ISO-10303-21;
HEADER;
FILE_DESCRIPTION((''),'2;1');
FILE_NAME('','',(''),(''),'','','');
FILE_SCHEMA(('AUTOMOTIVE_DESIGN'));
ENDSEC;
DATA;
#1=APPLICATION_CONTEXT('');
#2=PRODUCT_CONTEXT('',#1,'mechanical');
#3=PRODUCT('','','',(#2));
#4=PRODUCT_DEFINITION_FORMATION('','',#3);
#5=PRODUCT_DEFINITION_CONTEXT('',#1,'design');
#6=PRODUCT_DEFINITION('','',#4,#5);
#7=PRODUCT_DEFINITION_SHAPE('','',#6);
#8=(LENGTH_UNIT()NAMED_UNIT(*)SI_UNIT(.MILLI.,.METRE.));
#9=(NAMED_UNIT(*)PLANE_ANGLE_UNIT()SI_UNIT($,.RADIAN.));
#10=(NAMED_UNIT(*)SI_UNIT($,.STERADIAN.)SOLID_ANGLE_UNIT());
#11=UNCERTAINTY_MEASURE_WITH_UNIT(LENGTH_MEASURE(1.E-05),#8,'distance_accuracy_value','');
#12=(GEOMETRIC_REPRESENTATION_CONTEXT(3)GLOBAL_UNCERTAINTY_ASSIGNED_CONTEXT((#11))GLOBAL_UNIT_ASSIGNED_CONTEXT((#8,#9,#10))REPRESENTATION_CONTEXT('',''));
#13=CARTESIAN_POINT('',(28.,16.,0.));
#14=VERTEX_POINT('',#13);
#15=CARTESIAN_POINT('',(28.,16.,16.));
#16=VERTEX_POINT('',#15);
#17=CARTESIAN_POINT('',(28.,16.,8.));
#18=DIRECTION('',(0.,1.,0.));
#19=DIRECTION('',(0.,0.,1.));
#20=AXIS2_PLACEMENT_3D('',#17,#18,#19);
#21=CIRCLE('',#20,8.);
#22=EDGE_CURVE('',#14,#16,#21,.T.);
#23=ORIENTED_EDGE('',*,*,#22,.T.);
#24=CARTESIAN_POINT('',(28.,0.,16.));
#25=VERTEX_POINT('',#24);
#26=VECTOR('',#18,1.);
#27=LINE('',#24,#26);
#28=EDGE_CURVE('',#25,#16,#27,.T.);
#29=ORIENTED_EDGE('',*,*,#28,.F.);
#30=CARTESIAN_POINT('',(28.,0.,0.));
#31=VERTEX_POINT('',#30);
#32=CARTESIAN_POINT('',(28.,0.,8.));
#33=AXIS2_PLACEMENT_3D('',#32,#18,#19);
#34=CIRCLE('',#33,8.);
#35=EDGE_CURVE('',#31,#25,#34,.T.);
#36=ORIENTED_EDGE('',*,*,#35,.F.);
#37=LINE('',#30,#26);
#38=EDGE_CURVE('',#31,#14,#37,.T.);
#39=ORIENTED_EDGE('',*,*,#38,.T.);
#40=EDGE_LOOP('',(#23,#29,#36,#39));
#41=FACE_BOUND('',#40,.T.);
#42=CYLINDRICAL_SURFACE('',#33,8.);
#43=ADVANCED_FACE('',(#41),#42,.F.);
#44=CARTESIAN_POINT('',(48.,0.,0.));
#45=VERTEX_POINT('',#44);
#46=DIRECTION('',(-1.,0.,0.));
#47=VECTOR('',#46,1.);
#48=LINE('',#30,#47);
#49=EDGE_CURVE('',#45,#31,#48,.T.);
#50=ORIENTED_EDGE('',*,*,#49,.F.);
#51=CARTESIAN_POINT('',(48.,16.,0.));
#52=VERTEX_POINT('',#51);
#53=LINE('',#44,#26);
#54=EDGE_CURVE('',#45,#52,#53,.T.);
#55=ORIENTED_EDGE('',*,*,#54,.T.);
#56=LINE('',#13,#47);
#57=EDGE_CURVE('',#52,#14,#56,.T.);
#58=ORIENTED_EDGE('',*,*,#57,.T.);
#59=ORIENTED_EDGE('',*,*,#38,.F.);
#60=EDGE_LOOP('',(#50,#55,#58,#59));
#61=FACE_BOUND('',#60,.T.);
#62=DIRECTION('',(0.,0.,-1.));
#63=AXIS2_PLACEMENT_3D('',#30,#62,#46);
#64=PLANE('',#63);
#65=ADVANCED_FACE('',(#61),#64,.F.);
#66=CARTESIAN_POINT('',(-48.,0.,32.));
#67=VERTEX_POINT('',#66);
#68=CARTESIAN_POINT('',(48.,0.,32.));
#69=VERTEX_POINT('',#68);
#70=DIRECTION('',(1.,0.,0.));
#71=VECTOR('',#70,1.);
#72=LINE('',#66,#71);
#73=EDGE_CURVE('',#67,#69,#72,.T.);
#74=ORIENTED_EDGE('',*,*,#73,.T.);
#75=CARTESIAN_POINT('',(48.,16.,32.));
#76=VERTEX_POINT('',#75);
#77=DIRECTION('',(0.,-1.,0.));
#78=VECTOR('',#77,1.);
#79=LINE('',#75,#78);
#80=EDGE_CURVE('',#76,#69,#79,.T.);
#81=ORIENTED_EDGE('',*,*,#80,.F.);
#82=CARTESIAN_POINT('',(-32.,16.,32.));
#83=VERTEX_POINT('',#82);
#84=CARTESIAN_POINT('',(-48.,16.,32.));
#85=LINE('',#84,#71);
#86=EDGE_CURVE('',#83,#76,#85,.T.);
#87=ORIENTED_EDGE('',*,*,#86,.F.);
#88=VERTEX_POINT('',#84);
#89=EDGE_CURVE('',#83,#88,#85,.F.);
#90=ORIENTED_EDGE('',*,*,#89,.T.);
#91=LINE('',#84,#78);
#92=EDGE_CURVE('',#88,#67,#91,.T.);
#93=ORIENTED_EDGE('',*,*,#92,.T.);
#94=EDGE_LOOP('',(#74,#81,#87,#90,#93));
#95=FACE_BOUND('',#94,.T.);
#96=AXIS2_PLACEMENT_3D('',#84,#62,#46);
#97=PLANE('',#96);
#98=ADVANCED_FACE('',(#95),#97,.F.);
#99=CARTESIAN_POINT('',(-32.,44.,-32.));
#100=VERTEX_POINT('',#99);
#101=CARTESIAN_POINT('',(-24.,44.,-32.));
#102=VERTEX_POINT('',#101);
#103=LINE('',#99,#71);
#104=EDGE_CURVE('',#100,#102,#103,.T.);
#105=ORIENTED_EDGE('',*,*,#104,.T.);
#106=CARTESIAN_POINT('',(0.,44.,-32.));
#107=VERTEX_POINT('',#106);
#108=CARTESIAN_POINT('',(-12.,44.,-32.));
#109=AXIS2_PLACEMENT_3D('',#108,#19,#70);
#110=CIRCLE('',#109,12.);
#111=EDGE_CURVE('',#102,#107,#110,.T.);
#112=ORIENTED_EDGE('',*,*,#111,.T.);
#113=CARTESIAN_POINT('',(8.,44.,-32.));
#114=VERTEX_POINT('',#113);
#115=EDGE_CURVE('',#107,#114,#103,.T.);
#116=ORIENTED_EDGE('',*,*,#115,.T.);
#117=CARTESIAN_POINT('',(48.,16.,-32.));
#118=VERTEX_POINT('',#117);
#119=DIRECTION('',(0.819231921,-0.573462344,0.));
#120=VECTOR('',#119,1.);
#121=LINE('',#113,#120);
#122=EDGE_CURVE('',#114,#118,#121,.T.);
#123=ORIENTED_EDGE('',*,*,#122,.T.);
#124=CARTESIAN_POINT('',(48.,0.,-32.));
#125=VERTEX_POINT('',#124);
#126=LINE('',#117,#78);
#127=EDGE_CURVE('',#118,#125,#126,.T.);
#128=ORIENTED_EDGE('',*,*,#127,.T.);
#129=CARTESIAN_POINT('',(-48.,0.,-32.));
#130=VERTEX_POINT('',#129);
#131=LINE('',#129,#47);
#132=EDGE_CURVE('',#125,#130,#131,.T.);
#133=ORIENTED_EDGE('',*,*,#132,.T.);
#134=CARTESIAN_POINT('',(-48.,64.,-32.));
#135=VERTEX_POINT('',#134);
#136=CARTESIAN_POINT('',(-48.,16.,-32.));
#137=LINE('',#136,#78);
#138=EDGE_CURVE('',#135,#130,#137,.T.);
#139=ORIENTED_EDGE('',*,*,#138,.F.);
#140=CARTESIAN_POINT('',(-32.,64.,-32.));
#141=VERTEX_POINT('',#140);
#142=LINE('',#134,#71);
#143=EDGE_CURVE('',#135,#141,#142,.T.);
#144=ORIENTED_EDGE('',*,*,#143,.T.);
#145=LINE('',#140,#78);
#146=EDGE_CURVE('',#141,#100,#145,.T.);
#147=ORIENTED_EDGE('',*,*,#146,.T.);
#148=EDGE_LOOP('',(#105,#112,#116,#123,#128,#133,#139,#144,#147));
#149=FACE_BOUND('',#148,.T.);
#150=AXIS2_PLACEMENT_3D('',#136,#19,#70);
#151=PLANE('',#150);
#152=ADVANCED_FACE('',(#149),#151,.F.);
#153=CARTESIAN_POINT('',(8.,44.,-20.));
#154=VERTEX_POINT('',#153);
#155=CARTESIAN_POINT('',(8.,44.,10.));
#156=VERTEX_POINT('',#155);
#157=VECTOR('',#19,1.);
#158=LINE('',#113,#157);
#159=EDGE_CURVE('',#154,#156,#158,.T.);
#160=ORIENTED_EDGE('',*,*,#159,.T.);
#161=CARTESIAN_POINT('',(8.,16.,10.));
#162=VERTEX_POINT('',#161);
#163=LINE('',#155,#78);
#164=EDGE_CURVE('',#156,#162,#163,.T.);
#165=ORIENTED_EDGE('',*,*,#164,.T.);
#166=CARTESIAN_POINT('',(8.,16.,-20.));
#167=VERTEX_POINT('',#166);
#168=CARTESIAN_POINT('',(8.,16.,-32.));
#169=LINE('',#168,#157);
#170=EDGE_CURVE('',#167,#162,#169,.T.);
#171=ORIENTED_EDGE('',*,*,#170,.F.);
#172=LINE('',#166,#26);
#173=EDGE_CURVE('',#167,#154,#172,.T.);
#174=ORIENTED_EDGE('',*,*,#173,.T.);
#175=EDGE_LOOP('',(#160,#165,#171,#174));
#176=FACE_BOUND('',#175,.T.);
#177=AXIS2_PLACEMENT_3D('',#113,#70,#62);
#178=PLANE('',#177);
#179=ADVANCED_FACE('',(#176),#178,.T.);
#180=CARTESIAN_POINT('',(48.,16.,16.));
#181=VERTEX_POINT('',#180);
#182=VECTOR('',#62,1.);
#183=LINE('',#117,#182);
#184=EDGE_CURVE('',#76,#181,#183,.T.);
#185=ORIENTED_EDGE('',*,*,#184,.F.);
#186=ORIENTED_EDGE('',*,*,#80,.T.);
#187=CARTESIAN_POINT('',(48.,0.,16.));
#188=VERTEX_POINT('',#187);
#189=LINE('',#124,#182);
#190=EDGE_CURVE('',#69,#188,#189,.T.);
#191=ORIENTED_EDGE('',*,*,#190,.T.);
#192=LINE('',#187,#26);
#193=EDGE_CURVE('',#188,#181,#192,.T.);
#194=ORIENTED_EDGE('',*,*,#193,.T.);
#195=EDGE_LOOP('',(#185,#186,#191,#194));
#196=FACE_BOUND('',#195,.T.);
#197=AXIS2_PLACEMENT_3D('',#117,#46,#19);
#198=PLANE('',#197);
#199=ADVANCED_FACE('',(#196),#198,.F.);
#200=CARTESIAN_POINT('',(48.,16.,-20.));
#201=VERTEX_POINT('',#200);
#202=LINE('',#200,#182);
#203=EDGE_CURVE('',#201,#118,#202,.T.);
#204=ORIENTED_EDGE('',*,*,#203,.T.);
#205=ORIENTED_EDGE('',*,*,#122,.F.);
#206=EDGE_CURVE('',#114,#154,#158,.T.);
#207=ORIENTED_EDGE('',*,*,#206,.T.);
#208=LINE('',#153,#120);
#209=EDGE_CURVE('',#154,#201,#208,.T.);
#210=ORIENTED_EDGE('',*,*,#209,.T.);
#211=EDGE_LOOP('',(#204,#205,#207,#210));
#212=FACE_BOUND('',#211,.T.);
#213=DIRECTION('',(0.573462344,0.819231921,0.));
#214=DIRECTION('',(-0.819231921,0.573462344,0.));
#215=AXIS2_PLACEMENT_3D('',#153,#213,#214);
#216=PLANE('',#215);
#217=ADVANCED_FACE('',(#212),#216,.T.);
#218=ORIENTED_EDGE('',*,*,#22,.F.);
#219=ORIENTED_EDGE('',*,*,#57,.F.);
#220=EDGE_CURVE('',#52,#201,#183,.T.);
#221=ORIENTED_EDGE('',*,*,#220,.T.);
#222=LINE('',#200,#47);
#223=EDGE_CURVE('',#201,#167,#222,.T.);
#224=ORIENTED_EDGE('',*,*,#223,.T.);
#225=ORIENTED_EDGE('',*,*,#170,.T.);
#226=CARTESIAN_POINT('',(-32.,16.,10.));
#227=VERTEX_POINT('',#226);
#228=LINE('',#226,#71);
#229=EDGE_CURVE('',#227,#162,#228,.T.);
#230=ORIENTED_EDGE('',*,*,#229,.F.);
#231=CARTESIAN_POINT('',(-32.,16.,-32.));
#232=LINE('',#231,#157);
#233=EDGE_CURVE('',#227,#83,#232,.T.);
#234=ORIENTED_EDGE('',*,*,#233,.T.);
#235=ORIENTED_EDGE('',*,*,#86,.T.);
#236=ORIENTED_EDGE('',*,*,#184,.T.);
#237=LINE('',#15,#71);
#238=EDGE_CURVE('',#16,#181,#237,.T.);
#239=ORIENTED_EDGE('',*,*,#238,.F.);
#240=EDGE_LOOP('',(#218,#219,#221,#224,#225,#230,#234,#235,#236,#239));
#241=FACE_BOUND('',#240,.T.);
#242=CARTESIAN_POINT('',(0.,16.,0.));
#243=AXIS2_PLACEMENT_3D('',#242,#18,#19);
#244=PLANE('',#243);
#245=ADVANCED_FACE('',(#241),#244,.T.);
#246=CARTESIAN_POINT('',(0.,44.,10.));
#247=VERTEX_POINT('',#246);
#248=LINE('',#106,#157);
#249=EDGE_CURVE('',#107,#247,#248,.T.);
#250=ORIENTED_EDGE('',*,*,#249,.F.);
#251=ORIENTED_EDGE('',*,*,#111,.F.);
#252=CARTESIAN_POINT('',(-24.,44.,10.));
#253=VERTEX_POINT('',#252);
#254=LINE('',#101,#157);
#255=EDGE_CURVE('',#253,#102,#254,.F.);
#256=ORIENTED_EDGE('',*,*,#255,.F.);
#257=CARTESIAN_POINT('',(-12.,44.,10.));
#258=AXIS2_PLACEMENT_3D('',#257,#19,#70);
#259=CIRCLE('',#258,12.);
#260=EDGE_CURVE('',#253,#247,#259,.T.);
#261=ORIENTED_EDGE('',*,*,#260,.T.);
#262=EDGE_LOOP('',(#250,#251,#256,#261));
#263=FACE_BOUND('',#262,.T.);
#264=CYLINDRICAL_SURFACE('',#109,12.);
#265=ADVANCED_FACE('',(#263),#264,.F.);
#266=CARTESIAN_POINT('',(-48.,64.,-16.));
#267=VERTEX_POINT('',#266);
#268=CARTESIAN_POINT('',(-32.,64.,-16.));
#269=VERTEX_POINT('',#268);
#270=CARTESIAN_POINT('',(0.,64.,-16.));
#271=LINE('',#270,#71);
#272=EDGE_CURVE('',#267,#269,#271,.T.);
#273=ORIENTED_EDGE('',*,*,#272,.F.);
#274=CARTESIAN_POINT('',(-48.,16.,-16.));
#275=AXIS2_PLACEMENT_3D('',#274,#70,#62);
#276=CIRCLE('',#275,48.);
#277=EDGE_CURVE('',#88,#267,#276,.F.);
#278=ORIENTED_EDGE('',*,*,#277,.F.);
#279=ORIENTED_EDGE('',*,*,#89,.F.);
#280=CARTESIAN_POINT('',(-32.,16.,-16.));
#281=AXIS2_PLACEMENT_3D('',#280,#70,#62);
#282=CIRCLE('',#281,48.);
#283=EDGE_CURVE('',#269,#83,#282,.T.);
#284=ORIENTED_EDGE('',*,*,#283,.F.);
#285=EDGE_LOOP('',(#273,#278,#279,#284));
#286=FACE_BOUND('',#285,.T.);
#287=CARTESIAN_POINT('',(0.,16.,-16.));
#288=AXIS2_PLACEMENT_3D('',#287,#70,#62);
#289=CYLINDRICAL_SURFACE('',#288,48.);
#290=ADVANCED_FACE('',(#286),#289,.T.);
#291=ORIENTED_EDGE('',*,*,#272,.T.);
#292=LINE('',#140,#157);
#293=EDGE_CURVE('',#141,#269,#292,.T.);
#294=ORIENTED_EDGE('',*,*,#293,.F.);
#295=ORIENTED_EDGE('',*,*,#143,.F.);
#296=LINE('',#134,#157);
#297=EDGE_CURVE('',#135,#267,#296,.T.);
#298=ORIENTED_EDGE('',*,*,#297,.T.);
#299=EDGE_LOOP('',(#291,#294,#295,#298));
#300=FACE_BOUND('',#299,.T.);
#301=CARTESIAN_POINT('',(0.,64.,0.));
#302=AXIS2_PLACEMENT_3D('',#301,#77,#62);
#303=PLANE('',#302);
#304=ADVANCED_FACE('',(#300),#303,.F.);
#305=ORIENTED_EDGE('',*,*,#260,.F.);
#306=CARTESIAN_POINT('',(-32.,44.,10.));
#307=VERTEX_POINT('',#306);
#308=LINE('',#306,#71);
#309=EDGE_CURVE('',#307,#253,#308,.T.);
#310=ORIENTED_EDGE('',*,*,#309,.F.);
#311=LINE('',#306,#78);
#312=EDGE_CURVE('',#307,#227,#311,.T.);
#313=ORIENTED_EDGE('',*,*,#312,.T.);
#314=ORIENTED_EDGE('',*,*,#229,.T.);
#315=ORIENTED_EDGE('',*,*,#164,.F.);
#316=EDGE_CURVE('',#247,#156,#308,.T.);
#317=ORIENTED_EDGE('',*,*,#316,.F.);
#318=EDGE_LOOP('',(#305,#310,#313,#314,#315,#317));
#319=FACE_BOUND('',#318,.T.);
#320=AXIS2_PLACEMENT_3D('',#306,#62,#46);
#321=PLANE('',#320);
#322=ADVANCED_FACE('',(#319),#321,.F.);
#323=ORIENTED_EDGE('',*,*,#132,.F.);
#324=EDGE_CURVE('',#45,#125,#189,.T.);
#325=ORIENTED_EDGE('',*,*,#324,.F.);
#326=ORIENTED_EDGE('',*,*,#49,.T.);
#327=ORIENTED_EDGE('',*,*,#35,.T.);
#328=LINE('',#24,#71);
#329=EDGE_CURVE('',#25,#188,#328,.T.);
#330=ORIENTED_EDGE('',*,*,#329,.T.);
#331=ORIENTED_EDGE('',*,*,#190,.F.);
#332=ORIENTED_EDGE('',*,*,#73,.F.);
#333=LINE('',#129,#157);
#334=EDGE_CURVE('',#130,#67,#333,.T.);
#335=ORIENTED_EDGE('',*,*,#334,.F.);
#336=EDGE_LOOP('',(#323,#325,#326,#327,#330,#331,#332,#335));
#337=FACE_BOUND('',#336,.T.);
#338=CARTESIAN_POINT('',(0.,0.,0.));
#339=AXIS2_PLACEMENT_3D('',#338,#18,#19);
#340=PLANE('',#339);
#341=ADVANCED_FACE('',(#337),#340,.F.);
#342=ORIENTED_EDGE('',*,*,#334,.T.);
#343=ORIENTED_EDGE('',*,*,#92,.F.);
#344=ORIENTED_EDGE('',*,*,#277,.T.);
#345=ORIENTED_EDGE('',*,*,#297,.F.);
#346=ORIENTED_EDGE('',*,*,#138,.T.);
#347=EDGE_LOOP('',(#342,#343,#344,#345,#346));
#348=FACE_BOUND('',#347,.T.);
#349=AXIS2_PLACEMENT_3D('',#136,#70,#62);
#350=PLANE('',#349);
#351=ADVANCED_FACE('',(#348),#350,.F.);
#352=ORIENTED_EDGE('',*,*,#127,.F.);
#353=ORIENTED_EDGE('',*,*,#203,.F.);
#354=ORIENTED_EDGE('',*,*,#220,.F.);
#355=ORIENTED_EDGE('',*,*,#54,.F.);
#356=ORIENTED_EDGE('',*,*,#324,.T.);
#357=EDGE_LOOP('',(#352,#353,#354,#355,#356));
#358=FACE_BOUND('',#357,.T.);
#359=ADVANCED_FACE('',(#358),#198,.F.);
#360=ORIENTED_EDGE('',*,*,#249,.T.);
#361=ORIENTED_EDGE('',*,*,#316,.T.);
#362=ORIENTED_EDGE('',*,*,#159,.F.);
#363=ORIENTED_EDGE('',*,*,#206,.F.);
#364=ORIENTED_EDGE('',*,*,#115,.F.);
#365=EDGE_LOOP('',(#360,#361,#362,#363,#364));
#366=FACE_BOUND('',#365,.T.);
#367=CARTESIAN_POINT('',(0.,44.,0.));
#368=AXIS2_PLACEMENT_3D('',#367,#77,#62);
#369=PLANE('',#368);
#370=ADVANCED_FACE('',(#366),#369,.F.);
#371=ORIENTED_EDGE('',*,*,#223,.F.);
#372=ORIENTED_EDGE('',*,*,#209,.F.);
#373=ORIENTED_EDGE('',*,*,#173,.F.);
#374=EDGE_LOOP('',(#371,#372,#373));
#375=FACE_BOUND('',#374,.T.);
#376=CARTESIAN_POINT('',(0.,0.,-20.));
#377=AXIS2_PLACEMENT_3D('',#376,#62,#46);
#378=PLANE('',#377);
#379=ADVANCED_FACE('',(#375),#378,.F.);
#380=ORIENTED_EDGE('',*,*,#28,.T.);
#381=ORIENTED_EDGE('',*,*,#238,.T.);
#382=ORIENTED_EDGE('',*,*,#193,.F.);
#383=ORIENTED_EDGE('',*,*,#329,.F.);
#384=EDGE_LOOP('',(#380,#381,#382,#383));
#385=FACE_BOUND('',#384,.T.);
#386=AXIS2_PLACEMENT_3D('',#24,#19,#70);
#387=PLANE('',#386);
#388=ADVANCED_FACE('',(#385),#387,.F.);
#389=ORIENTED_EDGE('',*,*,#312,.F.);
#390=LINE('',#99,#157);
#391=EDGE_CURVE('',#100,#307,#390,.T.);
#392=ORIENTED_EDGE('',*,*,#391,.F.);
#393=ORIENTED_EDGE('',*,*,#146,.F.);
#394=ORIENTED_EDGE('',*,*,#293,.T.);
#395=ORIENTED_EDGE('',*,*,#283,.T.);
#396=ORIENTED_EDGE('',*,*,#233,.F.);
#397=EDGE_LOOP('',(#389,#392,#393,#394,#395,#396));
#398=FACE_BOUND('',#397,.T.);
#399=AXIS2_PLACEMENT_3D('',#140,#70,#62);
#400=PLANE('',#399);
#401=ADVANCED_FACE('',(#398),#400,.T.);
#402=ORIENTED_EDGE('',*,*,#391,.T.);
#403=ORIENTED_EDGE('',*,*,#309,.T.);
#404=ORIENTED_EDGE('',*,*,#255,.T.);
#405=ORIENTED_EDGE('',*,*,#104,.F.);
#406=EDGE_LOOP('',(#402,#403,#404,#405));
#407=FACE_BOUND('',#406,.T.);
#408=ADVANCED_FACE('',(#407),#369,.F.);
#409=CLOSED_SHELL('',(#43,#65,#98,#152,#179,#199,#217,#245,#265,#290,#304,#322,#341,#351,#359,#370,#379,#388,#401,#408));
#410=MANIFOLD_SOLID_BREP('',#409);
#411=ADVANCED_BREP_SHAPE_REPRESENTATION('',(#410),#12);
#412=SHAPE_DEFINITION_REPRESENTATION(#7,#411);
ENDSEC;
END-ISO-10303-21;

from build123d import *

# Parameters (mm, degrees)
SKETCH1_W           = 96
SKETCH1_H           = 64
BOSS_EXTRUDE1_DEPTH = 16
SKETCH2_W           = 16
SKETCH2_H           = 64
BOSS_EXTRUDE2_DEPTH = 48
FILLET3_R           = 48
SKETCH3_W           = 40
SKETCH3_H           = 42
BOSS_EXTRUDE3_DEPTH = 28
SKETCH4_R           = 12
CUT_EXTRUDE1_DEPTH  = 43
BOSS_EXTRUDE4_DEPTH = 12
CUT_EXTRUDE2_DEPTH  = 17


with BuildPart() as part:
    # Sketch1 → Boss-Extrude1 (new body)
    with BuildSketch(Plane(origin=(0, 0, 0), x_dir=(1, 0, 0), z_dir=(0, 1, 0))):
        Rectangle(SKETCH1_W, SKETCH1_H)
    extrude(amount=BOSS_EXTRUDE1_DEPTH)

    # Sketch2 → Boss-Extrude2 (add)
    with BuildSketch(Plane(origin=(0, 16, 0), x_dir=(1, 0, 0), z_dir=(0, 1, 0))):
        with Locations((-40, 0)):
            Rectangle(SKETCH2_W, SKETCH2_H)
    extrude(amount=BOSS_EXTRUDE2_DEPTH)

    # Fillet3
    fillet3_edges = [part.edges().sort_by_distance(p)[0] for p in [
        (-40, 64, 32),
    ]]
    fillet(fillet3_edges, radius=FILLET3_R)

    # Sketch3 → Boss-Extrude3 (add)
    with BuildSketch(Plane(origin=(0, 16, 0), x_dir=(1, 0, 0), z_dir=(0, 1, 0))):
        with Locations((-12, 11)):
            Rectangle(SKETCH3_W, SKETCH3_H)
    extrude(amount=BOSS_EXTRUDE3_DEPTH)

    # Sketch4 → Cut-Extrude1 (cut, through all)
    with BuildSketch(Plane.XY.offset(10)):
        with Locations((-12, 44)):
            Circle(SKETCH4_R)
    extrude(amount=-CUT_EXTRUDE1_DEPTH, mode=Mode.SUBTRACT)

    # Sketch5 → Boss-Extrude4 (add)
    with BuildSketch(Plane(origin=(0, 0, -32), x_dir=(-1, 0, 0), z_dir=(0, 0, -1))):
        Polygon((-8, 16), (-8, 44), (-48, 16), align=None)
    extrude(amount=-BOSS_EXTRUDE4_DEPTH)

    # Sketch6 → Cut-Extrude2 (cut, through all)
    with BuildSketch(Plane(origin=(0, 16, 0), x_dir=(1, 0, 0), z_dir=(0, 1, 0))):
        with BuildLine():
            Line((28, 0), (48, 0))
            ThreePointArc((48, 0), (56, -8), (48, -16))
            Line((48, -16), (28, -16))
            ThreePointArc((28, -16), (20, -8), (28, 0))
        make_face()
    extrude(amount=-CUT_EXTRUDE2_DEPTH, mode=Mode.SUBTRACT)


solid = part.part
